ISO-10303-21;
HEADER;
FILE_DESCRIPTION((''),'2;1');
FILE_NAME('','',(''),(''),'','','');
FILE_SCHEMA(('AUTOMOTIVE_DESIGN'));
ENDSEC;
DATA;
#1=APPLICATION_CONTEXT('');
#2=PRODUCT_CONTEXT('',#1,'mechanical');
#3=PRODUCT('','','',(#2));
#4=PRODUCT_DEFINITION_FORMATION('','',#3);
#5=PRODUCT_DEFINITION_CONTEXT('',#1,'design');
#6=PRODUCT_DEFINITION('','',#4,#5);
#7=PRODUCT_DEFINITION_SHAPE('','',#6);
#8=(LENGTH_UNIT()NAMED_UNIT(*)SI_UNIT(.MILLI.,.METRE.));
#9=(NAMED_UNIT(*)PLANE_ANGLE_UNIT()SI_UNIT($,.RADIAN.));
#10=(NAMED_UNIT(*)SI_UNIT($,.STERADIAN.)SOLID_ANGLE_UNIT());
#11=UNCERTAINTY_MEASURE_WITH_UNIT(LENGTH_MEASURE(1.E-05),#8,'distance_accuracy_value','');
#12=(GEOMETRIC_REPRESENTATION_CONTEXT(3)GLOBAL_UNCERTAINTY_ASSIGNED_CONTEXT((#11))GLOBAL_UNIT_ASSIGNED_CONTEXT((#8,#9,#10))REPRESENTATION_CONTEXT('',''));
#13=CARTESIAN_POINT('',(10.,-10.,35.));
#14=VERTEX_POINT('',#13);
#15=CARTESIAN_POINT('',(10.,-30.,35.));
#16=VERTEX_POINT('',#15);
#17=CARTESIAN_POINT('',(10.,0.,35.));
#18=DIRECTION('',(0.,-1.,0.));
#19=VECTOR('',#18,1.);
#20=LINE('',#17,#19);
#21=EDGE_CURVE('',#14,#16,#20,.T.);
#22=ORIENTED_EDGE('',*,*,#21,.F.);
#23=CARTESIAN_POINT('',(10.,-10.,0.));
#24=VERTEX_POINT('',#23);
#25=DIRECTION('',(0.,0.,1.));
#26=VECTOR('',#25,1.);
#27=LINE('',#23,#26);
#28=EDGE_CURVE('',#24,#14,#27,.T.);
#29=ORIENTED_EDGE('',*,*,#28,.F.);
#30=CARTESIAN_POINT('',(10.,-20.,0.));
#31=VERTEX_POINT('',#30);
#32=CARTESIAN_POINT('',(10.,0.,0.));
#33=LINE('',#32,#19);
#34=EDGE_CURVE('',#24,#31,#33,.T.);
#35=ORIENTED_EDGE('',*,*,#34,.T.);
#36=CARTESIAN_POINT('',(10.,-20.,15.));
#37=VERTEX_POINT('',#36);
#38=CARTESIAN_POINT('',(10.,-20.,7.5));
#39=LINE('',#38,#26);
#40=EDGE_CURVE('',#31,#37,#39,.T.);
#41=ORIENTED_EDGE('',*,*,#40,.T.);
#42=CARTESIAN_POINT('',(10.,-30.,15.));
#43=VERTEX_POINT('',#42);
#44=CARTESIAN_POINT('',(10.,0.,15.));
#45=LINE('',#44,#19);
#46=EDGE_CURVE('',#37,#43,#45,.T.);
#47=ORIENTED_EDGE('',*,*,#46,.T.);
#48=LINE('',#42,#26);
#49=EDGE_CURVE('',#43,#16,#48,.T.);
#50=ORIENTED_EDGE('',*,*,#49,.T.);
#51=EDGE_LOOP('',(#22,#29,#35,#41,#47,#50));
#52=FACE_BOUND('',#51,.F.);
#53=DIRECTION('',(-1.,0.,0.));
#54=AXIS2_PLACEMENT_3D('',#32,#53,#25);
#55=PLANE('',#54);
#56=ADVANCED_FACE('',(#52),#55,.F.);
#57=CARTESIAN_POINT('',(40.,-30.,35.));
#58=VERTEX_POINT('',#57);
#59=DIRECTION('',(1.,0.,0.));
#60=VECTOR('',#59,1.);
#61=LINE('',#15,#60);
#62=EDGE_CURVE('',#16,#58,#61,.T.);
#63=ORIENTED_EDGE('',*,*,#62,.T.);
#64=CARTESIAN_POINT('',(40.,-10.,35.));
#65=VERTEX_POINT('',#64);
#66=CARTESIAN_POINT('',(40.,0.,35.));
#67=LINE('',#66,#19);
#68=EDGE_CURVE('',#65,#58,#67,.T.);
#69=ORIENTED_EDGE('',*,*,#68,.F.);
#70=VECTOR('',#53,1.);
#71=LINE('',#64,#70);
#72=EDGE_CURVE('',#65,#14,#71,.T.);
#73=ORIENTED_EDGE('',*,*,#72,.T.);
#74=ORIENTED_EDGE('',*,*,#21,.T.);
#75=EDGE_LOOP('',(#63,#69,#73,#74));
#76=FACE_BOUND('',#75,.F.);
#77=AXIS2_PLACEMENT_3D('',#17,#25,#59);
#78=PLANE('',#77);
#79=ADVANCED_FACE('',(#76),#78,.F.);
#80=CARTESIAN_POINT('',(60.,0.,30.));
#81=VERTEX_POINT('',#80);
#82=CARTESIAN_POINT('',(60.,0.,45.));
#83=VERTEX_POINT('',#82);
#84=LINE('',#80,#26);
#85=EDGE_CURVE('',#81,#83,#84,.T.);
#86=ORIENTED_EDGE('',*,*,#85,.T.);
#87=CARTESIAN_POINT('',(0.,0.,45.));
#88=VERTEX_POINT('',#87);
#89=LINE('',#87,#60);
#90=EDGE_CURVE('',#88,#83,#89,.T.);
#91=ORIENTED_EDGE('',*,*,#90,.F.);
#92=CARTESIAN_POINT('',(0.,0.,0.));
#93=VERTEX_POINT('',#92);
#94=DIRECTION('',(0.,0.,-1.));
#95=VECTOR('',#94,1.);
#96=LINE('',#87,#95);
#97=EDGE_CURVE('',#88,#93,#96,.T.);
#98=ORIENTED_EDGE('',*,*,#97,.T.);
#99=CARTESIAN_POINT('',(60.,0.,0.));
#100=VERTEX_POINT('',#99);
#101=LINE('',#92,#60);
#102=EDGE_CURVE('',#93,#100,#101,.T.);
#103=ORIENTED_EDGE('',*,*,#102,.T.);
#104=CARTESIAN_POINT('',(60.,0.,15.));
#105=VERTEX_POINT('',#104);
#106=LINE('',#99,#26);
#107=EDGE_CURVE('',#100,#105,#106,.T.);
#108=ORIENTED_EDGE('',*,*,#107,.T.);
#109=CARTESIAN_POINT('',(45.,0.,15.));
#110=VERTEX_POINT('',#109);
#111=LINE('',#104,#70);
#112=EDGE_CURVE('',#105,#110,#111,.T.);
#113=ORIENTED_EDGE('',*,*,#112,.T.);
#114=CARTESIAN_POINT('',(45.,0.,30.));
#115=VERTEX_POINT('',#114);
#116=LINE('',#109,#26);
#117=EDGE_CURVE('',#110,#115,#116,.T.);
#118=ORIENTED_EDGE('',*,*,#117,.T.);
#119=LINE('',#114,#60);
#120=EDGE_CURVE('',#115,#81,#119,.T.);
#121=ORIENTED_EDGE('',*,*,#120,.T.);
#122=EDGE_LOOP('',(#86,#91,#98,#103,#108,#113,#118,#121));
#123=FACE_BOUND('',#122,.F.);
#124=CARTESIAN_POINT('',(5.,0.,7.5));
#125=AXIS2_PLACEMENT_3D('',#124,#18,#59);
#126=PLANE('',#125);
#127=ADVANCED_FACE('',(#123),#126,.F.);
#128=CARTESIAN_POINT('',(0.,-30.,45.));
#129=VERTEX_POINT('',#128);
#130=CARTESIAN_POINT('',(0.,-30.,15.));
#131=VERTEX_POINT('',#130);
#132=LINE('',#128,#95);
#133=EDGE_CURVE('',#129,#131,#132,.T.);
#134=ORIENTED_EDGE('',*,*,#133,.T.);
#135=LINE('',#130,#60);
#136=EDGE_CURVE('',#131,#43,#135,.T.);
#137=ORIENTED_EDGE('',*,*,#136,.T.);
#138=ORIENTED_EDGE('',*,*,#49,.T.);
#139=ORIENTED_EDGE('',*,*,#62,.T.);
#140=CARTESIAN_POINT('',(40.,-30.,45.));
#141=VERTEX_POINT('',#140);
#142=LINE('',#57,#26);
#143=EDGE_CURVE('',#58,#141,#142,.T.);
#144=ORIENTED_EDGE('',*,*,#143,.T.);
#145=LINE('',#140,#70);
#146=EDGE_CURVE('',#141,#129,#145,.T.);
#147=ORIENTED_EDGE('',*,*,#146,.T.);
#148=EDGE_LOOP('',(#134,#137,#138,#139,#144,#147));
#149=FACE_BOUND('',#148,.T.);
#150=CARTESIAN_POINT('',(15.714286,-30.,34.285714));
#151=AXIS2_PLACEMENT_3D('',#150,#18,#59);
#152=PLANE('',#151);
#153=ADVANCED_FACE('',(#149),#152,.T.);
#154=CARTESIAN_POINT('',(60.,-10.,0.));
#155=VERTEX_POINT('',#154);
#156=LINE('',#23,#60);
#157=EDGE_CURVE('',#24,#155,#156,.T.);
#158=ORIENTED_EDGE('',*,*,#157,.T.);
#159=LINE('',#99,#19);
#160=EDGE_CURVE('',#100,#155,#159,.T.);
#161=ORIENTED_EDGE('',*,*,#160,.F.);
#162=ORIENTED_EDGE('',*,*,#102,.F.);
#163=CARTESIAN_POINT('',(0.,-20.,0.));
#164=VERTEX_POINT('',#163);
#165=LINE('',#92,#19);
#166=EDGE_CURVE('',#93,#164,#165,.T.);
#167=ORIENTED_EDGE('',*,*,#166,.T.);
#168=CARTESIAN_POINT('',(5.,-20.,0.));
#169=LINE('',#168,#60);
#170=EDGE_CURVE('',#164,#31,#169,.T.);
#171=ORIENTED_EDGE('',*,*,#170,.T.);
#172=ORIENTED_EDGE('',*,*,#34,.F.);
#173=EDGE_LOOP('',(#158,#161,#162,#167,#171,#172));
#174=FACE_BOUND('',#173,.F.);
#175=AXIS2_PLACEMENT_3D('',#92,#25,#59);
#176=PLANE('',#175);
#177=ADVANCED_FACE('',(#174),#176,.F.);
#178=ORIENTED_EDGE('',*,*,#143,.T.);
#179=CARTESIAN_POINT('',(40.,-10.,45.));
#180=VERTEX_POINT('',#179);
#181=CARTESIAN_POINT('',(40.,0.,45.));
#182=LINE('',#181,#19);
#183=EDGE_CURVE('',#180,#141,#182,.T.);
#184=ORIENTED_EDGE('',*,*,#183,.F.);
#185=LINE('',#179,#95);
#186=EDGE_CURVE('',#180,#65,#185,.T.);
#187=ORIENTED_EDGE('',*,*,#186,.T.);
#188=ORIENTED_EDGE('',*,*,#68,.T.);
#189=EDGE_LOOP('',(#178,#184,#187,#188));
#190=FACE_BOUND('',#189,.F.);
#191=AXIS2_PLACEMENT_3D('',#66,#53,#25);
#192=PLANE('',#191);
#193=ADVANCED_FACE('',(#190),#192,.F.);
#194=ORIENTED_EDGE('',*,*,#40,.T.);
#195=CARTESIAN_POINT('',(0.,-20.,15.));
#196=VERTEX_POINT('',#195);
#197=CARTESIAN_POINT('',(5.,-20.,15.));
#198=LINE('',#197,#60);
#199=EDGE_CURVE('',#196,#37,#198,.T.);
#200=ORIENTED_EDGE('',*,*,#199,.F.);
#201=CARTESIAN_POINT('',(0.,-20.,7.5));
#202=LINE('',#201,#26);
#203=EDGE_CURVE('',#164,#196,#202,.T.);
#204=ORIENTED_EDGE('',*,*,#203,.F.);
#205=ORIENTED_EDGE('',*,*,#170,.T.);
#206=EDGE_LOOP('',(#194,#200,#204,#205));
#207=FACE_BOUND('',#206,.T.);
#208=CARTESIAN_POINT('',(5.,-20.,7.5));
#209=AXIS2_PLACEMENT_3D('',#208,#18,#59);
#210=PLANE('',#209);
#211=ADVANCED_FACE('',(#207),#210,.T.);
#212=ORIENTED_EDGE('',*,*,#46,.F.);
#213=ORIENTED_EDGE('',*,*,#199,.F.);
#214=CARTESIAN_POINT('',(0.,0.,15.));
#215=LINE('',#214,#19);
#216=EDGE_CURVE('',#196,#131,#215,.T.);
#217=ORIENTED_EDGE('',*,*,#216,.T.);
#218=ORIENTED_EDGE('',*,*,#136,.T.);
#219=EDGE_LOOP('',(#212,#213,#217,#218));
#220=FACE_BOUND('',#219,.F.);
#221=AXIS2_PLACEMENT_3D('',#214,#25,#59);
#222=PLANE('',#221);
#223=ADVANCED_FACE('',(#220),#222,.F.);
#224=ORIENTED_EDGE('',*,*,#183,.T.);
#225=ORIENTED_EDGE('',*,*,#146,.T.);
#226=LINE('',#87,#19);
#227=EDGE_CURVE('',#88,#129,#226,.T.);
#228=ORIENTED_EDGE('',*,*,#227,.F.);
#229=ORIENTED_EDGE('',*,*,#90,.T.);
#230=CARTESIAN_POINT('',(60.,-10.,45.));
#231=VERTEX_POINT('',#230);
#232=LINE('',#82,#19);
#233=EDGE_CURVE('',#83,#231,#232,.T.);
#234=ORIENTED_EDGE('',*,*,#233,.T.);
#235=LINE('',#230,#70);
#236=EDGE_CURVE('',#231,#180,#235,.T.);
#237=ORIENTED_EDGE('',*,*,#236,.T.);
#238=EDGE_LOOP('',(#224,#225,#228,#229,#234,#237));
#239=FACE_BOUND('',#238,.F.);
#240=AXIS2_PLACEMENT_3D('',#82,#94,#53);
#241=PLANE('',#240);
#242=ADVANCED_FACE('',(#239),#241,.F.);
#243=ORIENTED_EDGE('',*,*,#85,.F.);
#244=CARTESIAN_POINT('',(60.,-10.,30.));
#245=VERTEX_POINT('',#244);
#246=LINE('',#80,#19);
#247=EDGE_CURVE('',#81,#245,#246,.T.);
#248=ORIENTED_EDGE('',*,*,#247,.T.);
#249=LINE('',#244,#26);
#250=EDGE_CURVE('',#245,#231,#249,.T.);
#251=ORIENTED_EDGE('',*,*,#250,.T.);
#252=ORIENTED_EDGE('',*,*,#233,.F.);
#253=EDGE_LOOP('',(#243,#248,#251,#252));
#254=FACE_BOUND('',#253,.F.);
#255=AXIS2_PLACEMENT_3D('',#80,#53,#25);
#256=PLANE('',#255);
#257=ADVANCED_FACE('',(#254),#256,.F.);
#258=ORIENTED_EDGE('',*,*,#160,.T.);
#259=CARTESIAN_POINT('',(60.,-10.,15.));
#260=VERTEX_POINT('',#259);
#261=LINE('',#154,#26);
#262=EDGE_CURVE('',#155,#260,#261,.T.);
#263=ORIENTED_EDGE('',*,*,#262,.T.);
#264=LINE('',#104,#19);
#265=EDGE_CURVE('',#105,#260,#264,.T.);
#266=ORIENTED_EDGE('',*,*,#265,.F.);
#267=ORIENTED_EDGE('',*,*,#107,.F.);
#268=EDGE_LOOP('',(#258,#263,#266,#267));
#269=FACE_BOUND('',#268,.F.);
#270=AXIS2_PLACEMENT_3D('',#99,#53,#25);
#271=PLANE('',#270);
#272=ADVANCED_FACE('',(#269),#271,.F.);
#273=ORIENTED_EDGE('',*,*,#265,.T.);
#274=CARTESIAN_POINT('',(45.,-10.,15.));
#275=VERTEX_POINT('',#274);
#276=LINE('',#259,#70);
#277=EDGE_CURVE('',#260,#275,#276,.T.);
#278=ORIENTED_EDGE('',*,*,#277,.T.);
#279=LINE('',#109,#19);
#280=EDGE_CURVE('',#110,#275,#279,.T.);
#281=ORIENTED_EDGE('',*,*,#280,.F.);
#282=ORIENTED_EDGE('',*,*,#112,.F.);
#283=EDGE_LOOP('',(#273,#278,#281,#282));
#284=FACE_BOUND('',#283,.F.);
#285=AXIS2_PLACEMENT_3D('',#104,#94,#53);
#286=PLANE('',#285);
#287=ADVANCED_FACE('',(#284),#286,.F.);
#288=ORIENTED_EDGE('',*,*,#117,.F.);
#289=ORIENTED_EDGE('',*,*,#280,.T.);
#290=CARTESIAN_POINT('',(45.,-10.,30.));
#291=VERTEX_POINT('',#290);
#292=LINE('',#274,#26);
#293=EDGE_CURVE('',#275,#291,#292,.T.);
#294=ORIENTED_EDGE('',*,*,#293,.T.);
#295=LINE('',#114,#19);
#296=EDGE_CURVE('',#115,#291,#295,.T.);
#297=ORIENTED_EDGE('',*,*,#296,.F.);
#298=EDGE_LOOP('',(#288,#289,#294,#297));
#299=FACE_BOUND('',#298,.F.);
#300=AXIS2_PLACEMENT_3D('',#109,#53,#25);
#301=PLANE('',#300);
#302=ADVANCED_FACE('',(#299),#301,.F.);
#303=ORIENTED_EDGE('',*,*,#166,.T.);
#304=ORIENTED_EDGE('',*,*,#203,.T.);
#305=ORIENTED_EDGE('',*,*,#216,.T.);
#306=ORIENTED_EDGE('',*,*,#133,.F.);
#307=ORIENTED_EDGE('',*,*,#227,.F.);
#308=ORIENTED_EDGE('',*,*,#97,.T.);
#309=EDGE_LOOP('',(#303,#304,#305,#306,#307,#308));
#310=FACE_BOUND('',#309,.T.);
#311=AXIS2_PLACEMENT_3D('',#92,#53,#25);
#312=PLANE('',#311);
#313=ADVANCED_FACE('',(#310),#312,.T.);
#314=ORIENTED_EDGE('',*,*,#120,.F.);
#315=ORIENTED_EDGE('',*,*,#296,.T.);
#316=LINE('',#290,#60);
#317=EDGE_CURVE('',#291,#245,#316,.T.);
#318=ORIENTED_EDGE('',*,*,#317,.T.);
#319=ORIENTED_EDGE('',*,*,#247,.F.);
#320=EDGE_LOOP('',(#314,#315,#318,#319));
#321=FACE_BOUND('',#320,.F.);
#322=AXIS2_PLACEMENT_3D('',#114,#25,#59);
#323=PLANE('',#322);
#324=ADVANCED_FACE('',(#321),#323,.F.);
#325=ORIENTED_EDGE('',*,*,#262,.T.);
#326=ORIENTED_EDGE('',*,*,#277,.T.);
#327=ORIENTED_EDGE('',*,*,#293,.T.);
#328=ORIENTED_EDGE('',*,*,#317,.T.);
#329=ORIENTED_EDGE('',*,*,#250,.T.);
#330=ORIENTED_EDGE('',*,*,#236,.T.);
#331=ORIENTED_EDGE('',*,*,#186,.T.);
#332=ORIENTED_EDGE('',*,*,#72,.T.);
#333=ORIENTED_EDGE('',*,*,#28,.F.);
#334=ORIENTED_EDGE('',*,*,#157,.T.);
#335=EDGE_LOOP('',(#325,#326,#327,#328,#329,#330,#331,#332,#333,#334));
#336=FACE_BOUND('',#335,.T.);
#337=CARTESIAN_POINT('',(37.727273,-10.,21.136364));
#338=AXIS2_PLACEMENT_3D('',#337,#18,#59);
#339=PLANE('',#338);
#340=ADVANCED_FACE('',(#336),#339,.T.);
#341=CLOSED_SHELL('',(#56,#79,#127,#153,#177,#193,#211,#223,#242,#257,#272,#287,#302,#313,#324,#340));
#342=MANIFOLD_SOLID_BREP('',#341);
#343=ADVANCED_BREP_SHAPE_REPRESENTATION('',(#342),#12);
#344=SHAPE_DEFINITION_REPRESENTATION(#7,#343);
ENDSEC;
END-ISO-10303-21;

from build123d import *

# Parameters (mm, degrees)
F1_DEPTH = 30
F2_DEPTH = 10
F0_W     = 10
F0_H     = 15
F3_DEPTH = 20


with BuildPart() as f1:
    # F0 (on Front) → F1 (new body)
    with BuildSketch(Plane.XZ):
        Polygon((0, 45), (0, 15), (10, 15), (10, 35), (40, 35), (40, 45), align=None)
    extrude(amount=F1_DEPTH)

    # F0 (on Front) → F2 (join)
    with BuildSketch(Plane.XZ):
        Polygon((10, 15), (10, 0), (60, 0), (60, 15), (45, 15), (45, 30), (60, 30), (60, 45), (40, 45), (40, 35), (10, 35), align=None)
    extrude(amount=F2_DEPTH)

    # F0 (on Front) → F3 (join)
    with BuildSketch(Plane.XZ):
        with Locations((5, 7.5)):
            Rectangle(F0_W, F0_H)
    extrude(amount=F3_DEPTH)


solid = f1.part
